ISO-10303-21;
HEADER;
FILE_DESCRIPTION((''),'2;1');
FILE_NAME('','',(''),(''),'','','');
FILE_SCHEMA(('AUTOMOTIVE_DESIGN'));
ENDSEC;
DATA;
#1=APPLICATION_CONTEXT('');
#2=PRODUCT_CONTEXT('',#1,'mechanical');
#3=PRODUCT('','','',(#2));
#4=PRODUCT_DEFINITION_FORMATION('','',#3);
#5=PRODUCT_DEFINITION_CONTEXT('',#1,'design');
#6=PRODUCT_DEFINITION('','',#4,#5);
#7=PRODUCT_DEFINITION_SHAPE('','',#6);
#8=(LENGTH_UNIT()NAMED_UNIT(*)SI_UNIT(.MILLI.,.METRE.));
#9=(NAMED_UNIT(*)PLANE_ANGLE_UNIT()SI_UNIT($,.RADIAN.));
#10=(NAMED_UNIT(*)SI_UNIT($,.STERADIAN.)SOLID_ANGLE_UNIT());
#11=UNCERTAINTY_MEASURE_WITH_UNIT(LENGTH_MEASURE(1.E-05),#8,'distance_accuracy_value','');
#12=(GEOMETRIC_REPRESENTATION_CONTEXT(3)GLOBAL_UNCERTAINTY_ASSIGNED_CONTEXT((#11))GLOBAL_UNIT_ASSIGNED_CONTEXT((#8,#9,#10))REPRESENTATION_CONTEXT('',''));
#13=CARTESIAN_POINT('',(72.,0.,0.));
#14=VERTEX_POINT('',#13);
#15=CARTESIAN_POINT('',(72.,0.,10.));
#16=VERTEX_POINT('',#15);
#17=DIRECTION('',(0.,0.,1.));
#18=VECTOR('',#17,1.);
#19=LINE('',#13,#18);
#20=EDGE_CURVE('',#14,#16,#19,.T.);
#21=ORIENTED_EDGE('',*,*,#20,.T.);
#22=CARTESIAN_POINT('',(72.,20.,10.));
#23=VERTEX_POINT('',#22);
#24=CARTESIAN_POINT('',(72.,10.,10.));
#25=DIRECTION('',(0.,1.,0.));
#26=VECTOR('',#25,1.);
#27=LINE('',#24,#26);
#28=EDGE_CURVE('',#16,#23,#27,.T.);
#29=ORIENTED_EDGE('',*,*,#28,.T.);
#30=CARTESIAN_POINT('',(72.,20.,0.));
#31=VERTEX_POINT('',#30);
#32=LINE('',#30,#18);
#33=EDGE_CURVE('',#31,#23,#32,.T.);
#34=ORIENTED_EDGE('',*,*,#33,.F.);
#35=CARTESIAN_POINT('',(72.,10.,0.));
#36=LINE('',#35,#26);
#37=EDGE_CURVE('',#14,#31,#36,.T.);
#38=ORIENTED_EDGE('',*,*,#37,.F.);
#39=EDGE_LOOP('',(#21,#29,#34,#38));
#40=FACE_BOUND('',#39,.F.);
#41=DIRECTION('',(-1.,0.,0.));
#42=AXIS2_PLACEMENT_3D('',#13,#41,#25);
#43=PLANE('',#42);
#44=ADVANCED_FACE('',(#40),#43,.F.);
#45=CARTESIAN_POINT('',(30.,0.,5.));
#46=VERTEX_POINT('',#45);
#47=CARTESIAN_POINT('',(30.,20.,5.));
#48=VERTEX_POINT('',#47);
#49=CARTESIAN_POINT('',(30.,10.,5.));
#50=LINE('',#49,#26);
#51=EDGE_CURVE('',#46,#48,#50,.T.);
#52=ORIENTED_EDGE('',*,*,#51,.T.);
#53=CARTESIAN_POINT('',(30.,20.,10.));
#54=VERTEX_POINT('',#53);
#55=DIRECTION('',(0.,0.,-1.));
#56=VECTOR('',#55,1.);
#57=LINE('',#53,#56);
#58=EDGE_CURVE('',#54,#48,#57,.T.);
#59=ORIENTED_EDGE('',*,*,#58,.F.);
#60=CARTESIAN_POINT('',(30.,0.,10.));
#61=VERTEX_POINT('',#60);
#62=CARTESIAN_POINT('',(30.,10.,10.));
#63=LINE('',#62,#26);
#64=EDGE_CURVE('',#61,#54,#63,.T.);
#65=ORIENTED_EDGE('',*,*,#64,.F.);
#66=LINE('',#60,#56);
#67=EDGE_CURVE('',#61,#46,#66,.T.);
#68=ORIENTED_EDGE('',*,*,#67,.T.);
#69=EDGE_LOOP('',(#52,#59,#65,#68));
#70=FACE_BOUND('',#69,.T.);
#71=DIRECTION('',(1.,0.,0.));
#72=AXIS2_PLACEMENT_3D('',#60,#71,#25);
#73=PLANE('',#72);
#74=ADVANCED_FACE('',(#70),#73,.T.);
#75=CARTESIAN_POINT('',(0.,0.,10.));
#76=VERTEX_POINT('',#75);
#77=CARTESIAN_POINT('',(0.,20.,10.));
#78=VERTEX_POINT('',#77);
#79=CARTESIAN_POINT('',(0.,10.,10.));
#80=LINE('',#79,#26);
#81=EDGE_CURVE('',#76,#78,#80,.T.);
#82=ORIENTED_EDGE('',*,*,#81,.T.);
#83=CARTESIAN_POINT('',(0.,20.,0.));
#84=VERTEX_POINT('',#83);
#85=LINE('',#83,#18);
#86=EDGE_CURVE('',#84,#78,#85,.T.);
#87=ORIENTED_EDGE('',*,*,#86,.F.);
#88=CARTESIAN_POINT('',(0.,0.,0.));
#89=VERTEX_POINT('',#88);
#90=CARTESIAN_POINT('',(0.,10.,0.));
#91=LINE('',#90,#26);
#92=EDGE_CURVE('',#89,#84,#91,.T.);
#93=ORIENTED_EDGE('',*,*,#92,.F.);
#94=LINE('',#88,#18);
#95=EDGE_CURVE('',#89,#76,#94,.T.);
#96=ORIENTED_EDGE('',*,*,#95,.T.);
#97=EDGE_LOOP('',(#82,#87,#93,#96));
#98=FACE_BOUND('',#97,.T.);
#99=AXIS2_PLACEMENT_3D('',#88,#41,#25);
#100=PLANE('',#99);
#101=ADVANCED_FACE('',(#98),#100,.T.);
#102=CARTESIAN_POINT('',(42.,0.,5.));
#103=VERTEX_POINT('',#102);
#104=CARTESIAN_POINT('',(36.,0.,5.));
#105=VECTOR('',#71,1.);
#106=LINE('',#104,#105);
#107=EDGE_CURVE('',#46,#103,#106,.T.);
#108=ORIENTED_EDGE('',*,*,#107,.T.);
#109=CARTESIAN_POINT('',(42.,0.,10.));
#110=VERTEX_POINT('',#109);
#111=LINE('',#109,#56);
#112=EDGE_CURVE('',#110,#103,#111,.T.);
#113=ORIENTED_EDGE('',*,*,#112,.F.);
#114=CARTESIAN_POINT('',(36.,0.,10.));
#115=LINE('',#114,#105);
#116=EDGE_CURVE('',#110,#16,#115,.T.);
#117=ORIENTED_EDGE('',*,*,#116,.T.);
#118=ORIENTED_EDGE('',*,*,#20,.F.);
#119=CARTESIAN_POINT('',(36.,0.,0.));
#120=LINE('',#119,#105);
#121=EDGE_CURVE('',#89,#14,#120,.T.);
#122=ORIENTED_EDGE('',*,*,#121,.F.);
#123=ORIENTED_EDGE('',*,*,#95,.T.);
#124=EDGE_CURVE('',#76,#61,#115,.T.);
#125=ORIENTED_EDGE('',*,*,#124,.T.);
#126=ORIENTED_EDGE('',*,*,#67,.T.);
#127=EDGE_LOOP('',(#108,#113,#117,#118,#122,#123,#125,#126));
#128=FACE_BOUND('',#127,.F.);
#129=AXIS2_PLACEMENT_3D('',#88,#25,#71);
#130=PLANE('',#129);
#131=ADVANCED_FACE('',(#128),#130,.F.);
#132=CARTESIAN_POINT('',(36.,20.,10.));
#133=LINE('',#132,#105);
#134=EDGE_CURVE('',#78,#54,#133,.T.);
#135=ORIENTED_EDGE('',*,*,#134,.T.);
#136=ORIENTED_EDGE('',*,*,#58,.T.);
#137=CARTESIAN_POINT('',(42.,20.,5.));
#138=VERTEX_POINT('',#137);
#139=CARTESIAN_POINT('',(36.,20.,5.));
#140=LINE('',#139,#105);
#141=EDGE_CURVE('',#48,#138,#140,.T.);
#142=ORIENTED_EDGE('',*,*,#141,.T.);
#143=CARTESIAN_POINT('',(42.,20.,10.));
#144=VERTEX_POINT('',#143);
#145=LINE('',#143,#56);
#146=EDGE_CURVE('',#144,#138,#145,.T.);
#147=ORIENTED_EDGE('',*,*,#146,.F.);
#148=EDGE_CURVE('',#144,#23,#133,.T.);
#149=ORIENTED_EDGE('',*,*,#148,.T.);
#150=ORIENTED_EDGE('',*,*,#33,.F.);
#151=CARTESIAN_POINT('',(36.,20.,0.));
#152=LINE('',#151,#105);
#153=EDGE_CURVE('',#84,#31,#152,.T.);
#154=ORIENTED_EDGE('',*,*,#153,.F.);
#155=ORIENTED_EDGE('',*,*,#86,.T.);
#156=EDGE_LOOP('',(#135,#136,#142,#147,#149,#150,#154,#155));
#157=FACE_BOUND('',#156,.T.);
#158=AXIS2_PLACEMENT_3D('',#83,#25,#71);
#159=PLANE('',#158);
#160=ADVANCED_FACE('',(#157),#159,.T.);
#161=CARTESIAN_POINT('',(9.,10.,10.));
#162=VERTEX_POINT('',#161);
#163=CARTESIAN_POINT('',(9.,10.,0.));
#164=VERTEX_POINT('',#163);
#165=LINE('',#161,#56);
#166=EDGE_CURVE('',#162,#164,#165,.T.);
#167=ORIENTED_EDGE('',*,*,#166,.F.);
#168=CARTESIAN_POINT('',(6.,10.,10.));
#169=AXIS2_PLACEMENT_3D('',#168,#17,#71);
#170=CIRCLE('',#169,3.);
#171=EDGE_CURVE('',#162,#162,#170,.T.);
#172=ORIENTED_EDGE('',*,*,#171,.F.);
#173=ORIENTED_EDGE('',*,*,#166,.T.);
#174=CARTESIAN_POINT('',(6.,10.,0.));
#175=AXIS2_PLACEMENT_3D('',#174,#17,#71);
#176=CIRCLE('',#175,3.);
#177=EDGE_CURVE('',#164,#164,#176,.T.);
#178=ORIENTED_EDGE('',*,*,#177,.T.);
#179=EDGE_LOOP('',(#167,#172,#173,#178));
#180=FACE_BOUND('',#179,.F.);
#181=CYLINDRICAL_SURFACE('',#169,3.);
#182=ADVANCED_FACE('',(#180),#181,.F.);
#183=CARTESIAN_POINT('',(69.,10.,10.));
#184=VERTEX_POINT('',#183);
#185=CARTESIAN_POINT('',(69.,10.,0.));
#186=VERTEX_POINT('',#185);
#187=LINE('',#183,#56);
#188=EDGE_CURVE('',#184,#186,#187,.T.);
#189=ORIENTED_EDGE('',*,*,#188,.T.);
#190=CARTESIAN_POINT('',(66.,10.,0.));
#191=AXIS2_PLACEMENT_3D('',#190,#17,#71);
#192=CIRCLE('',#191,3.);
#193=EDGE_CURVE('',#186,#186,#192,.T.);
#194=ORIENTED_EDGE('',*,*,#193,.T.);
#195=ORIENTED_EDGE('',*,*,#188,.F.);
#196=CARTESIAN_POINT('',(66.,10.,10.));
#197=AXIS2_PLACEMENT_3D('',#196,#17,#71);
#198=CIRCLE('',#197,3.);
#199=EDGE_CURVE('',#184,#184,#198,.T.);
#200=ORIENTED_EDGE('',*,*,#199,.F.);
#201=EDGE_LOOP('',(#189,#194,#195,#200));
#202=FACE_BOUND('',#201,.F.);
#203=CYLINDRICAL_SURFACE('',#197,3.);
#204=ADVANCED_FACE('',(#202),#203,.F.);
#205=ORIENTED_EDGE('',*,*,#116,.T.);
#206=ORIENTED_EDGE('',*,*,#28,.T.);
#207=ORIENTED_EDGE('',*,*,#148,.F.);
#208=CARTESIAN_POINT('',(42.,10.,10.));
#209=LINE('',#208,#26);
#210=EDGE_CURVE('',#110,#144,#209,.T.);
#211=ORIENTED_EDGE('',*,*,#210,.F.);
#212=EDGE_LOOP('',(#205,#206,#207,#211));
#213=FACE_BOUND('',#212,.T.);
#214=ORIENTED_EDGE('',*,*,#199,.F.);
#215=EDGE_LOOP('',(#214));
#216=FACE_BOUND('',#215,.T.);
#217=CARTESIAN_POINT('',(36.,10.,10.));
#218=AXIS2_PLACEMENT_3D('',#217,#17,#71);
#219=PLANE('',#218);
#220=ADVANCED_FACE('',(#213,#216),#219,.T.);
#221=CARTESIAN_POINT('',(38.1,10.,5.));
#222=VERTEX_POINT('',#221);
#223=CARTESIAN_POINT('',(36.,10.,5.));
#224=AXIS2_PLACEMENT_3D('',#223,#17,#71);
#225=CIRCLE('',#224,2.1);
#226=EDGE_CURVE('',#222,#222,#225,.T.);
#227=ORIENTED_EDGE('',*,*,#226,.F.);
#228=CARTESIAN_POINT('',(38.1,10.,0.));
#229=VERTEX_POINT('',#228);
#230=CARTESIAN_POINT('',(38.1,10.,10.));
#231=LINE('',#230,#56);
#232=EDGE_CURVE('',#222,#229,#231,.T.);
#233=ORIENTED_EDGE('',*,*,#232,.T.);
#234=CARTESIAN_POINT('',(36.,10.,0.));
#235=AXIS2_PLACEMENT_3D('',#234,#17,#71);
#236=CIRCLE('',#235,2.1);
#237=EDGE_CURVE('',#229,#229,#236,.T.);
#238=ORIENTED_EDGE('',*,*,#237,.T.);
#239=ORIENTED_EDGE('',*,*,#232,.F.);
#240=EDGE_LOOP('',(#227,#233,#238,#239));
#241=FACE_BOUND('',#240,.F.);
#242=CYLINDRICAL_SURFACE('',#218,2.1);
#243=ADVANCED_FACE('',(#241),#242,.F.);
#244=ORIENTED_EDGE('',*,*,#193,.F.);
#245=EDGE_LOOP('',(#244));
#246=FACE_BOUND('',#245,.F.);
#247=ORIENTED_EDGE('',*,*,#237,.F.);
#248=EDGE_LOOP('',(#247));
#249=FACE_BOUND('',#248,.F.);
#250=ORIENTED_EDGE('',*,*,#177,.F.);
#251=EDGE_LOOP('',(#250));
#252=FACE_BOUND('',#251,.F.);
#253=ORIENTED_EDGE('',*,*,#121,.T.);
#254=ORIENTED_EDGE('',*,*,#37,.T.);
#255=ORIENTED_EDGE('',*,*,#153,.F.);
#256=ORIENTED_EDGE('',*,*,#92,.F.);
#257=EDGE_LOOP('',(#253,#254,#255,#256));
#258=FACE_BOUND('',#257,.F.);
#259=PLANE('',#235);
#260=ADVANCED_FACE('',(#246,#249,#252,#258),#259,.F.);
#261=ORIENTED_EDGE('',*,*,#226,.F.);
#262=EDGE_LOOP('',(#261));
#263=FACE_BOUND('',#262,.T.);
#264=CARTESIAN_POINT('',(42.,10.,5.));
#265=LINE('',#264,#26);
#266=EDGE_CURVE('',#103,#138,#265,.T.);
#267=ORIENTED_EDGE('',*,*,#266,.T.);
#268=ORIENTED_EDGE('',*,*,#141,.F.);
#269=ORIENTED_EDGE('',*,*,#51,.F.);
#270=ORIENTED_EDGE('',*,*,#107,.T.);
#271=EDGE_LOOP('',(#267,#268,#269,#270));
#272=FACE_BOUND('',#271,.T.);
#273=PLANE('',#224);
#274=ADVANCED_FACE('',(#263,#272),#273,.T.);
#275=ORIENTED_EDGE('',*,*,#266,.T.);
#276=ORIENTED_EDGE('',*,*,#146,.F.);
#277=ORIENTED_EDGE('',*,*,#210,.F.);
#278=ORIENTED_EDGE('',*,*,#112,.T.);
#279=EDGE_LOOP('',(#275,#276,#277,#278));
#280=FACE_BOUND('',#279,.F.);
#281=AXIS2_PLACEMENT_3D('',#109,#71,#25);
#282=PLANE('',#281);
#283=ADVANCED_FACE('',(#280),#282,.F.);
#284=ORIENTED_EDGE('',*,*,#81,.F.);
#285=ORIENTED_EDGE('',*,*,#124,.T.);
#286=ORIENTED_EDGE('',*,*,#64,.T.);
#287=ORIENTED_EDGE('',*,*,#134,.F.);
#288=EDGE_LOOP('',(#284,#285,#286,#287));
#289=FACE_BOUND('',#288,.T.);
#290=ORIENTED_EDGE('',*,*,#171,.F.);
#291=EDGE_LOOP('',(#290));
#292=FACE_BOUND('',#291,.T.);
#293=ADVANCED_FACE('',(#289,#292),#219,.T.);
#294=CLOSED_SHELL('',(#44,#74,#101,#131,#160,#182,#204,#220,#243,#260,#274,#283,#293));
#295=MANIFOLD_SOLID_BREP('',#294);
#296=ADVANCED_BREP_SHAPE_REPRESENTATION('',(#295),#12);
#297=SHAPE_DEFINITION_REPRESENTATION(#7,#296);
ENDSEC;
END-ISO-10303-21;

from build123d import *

# Parameters (mm, degrees)
F0_W     = 72
F0_H     = 20
F1_DEPTH = 10
F2_W     = 12
F2_H     = 20
F3_DEPTH = 5
F4_R     = 3
F4_R_2   = 2.1
F5_DEPTH = 25


with BuildPart() as f1:
    # F0 (on Top) → F1 (new body)
    with BuildSketch(Plane.XY):
        with Locations((36, 10)):
            Rectangle(F0_W, F0_H)
    extrude(amount=F1_DEPTH)

    # F2 (on face) → F3 (cut)
    with BuildSketch(Plane.XY.offset(10)):
        with Locations((36, 10)):
            Rectangle(F2_W, F2_H)
    extrude(amount=-F3_DEPTH, mode=Mode.SUBTRACT)

    # F4 (on face) → F5 (cut)
    with BuildSketch(Plane.XY.offset(10)):
        with Locations((6, 10)):
            Circle(F4_R)
        with Locations((66, 10)):
            Circle(F4_R)
        with Locations((36, 10)):
            Circle(F4_R_2)
    extrude(amount=-F5_DEPTH, mode=Mode.SUBTRACT)


solid = f1.part
